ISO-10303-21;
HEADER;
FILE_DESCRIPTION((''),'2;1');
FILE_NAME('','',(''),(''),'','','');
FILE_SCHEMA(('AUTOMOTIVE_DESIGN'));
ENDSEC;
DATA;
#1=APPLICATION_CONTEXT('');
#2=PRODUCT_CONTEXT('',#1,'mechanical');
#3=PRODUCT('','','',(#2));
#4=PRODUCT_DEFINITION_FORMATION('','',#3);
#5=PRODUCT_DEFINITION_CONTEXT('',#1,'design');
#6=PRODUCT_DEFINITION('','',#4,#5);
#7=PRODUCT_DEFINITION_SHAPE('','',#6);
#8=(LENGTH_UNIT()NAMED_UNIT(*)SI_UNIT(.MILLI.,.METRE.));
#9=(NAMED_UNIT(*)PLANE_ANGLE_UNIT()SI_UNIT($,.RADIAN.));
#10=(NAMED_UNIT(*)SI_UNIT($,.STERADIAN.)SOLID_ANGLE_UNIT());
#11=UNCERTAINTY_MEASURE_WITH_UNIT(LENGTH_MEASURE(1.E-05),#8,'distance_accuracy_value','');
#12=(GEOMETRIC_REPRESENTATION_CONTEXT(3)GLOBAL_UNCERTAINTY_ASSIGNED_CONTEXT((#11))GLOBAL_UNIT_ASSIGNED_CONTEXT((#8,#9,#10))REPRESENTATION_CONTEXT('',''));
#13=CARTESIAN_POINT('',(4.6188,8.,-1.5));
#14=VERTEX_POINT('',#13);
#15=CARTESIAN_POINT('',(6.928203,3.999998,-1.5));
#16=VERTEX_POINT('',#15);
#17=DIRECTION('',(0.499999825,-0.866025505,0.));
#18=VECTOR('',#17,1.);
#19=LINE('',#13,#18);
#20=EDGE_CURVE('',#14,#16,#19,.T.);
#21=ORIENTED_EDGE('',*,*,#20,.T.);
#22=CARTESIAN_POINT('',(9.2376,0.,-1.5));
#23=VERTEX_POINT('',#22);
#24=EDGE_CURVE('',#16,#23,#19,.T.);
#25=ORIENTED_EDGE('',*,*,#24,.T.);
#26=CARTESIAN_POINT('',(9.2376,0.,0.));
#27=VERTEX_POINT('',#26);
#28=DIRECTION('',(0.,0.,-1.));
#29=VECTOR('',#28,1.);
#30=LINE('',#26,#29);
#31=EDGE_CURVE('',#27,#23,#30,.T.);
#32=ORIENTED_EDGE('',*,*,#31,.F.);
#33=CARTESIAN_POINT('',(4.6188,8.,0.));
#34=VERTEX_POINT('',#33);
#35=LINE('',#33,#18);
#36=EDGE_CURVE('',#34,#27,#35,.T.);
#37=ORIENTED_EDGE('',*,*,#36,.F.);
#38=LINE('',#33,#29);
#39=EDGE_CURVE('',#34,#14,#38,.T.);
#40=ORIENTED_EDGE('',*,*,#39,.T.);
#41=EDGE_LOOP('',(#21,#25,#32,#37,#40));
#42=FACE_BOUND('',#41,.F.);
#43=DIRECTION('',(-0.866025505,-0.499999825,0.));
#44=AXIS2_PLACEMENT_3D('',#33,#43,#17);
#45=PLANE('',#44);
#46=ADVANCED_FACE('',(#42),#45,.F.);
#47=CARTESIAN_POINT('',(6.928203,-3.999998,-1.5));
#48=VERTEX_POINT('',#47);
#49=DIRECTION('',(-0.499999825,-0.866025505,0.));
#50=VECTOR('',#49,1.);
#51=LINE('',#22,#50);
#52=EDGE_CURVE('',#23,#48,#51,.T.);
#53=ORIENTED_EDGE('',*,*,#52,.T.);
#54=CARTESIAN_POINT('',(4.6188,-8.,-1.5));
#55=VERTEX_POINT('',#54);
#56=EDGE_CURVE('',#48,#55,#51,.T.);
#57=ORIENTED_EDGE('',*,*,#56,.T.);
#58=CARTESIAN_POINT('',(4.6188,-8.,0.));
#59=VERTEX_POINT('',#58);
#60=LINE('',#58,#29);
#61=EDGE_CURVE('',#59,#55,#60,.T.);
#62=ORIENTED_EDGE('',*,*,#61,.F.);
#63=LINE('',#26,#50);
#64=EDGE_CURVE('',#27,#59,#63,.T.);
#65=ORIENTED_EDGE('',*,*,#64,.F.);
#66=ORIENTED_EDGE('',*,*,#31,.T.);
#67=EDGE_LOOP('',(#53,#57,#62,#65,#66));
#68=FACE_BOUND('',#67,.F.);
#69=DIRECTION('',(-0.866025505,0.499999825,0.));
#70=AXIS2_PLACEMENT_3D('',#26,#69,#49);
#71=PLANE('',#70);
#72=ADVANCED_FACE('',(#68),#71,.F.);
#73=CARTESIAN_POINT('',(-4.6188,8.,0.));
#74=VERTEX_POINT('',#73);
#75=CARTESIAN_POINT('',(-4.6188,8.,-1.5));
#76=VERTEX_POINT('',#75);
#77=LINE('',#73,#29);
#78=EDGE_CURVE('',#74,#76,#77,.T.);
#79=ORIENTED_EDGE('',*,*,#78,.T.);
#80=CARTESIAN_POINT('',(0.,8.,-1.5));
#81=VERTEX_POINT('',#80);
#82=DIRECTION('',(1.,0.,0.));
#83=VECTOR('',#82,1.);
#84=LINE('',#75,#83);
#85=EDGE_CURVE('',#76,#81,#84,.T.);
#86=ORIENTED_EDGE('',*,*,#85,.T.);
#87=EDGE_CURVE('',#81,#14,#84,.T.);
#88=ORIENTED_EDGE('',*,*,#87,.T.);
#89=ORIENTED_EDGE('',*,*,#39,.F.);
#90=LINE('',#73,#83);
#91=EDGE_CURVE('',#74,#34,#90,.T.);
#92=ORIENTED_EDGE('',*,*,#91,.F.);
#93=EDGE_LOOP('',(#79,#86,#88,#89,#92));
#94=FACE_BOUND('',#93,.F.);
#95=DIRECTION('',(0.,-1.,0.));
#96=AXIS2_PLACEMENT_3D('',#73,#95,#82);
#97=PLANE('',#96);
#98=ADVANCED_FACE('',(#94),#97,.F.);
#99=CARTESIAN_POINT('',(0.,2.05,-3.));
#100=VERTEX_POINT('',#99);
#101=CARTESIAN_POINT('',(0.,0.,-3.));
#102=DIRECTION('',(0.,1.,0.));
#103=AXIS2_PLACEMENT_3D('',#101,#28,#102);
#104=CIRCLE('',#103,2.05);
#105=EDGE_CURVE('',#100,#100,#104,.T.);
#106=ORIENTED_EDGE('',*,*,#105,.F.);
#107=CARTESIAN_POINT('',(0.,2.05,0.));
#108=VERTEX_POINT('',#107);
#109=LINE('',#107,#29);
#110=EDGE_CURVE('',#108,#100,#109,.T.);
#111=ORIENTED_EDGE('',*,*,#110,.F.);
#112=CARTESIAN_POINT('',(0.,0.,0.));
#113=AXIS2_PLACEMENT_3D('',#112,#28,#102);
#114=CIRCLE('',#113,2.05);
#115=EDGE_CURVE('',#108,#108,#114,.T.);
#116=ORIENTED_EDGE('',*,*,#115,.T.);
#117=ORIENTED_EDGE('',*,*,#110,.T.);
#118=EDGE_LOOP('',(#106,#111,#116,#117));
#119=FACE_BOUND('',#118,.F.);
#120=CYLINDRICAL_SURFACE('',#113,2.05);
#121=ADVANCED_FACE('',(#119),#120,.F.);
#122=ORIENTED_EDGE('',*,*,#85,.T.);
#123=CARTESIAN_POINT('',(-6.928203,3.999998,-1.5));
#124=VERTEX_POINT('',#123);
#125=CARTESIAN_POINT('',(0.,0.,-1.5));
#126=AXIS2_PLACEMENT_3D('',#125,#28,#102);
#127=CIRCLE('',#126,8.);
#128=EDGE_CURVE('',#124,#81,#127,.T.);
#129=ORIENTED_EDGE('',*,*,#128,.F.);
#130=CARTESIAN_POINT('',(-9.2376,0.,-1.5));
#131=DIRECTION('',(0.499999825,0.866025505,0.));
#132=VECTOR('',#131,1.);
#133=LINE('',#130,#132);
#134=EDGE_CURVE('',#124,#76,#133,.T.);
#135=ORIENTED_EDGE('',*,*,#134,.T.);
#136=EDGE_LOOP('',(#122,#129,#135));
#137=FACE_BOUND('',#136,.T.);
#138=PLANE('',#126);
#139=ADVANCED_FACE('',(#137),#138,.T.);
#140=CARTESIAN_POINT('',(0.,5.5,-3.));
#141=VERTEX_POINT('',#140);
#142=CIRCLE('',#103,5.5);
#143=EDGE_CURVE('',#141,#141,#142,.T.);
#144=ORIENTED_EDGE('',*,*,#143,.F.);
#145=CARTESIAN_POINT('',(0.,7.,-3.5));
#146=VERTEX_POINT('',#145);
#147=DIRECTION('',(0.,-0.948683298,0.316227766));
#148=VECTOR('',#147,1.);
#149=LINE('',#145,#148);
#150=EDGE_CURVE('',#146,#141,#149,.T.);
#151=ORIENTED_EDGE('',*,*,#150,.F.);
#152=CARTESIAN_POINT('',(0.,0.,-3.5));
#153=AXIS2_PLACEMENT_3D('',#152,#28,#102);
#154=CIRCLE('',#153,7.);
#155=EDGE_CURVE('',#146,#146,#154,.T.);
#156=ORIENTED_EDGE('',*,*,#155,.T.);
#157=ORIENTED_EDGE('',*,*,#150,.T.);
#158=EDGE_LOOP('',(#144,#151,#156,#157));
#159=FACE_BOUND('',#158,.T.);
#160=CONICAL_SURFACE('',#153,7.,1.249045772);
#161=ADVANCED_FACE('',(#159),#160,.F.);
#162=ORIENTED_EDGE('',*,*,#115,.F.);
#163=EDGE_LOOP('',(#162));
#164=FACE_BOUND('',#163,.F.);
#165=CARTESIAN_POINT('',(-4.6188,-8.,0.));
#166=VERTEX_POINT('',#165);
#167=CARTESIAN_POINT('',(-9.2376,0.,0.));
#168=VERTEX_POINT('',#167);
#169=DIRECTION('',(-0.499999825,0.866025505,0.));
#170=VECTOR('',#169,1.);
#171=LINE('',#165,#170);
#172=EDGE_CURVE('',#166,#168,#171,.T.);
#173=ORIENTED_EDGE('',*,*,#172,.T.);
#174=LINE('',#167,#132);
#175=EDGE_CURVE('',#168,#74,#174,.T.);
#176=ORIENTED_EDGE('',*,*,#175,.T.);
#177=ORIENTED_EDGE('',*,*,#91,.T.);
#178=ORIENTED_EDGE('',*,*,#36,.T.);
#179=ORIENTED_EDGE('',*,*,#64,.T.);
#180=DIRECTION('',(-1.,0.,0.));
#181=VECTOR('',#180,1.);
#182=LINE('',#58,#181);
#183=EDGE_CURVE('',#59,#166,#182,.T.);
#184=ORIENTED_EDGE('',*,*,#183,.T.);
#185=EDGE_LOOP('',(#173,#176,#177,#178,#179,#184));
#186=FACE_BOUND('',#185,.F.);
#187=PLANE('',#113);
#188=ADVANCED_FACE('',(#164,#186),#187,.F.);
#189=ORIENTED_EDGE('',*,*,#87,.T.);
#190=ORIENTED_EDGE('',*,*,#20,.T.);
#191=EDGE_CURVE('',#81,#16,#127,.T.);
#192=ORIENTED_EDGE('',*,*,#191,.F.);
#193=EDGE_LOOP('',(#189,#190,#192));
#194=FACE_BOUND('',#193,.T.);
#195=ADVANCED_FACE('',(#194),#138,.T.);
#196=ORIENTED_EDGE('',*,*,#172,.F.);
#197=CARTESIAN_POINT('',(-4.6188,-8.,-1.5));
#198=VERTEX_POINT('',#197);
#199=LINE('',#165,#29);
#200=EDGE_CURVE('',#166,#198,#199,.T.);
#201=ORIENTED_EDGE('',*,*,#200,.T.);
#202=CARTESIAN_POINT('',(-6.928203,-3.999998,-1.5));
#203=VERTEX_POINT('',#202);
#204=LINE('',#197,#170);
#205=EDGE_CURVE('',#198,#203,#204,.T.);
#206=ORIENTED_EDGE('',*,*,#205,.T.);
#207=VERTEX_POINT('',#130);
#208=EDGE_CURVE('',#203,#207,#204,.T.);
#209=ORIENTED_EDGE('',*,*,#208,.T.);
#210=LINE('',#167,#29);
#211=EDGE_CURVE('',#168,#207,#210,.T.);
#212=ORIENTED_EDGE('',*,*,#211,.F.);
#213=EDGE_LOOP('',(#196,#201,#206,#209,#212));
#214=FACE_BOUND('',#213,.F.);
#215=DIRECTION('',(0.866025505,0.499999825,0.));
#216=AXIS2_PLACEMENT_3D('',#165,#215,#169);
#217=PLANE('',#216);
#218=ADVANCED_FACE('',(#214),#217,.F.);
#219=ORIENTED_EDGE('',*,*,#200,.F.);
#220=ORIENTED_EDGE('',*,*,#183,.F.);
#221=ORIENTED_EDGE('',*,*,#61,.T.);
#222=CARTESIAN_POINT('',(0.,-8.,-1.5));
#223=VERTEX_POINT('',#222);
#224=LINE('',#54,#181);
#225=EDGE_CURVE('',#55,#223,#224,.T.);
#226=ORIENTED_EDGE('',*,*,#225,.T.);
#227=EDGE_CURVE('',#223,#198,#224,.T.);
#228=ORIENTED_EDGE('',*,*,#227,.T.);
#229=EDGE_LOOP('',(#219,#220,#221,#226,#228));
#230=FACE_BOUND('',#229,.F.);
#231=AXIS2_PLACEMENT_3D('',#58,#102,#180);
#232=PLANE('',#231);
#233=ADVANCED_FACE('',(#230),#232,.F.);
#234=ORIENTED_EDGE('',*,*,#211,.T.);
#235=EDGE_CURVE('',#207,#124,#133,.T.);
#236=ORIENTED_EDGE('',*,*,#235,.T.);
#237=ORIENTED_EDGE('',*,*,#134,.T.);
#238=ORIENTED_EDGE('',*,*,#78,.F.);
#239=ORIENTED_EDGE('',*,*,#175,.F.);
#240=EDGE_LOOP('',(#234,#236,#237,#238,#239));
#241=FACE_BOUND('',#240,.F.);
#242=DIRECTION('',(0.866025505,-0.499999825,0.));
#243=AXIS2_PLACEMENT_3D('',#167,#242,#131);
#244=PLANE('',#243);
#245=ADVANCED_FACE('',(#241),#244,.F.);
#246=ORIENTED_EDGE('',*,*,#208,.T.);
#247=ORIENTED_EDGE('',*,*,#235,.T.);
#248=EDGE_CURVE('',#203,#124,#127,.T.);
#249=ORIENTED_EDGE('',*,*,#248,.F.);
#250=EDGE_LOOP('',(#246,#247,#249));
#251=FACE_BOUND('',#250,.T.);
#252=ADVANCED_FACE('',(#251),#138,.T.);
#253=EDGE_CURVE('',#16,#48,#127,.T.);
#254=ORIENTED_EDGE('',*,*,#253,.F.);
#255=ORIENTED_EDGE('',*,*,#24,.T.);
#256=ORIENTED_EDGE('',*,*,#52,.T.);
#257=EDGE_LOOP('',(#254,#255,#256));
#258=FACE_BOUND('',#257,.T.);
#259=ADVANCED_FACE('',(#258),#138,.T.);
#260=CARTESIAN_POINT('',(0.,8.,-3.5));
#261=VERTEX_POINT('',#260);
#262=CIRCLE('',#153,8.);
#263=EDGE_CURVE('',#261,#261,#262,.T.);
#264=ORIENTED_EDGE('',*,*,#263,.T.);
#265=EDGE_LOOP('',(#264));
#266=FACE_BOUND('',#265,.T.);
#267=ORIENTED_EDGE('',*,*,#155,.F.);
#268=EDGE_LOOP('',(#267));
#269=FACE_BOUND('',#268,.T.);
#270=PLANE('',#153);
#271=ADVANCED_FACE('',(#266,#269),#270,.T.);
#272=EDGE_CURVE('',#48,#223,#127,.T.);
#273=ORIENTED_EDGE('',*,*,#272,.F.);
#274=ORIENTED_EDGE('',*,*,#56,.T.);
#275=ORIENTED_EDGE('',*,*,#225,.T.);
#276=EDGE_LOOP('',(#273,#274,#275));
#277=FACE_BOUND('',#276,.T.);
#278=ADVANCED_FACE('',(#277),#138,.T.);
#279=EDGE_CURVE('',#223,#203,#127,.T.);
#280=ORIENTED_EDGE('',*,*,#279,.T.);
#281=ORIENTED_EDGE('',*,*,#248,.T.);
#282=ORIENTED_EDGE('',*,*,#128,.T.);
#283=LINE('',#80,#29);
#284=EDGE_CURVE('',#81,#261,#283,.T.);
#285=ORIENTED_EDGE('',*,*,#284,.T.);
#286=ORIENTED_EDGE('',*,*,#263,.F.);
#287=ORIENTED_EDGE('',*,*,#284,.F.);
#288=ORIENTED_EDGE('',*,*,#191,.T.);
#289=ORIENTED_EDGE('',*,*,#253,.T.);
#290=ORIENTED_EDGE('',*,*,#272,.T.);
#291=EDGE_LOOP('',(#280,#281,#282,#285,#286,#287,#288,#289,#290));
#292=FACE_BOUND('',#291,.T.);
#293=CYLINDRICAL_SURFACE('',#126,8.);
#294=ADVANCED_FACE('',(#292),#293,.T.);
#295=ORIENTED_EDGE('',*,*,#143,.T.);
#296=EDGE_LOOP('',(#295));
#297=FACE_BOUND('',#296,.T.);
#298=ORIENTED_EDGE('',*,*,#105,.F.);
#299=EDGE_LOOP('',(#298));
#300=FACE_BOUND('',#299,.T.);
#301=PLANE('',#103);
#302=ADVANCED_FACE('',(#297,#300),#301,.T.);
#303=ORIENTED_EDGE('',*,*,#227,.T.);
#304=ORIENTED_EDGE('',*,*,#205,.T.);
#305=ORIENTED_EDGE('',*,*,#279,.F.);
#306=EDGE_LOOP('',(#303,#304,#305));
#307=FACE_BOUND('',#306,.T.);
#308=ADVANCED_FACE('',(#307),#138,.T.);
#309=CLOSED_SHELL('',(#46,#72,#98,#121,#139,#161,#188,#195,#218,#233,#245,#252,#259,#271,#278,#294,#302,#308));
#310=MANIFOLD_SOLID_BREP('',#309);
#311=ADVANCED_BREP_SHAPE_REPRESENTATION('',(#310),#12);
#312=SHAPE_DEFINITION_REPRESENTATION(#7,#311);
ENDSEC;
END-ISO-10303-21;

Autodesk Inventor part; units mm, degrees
ref_plane "YZ Plane" through (0, 0, 0) normal (1, 0, 0) x (0, 1, 0)
ref_plane "XZ Plane" through (0, 0, 0) normal (0, 1, 0) x (-1, 0, 0)
ref_plane "XY Plane" through (0, 0, 0) normal (0, 0, 1) x (1, 0, 0)
sketch "Esquisse1" plane through (0, 0, 0) normal (1, 0, 0) x (0, 1, 0)
  line L0 (0, 0) -> (0, -6.3939)
  line L1 (9.5, 0) -> (2.05, 0)
  line L2 (9.5, 0) -> (9.5, -1.5)
  line L3 (9.5, -1.5) -> (8, -1.5)
  line L4 (8, -1.5) -> (8, -3.5)
  line L5 (8, -3.5) -> (7, -3.5)
  line L6 (2.05, 0) -> (2.05, -3)
  line L7 (7, -3.5) -> (5.5, -3)
  line L8 (5.5, -3) -> (2.05, -3)
  dimension "d1" = 1.5
  dimension "d2" = 1.5
  dimension "d4" = 16
  dimension "d5" = 4.1
  dimension "d10" = 2
  dimension "d11" = 3
  dimension "d12" = 1.5
  dimension "d13" = 1
revolve "Révolution1" add sketch "Esquisse1" angle 360 about axis through (0, 0, 0) along (0, 0, -1)
sketch "Esquisse2" plane through (0, 0, 0) normal (0, 0, 1) x (1, 0, 0)
  line L0 (4.6188, 8) -> (9.2376, 0)
  line L1 (9.2376, 0) -> (4.6188, -8)
  line L2 (4.6188, -8) -> (-4.6188, -8)
  line L3 (-4.6188, -8) -> (-9.2376, 0)
  line L4 (-9.2376, 0) -> (-4.6188, 8)
  line L5 (-4.6188, 8) -> (4.6188, 8)
  circle A0 centre (0, 0) radius 9.5 projected
  dimension "d7" = 16
extrude "Extrusion1" cut sketch "Esquisse2" against normal up to surface (1.5 mm away)
thread "Filetage1" size "M16x1" class "6g" standard "ISO Metric profile" full length
properties part number "cartridge_locker_piston_top"
